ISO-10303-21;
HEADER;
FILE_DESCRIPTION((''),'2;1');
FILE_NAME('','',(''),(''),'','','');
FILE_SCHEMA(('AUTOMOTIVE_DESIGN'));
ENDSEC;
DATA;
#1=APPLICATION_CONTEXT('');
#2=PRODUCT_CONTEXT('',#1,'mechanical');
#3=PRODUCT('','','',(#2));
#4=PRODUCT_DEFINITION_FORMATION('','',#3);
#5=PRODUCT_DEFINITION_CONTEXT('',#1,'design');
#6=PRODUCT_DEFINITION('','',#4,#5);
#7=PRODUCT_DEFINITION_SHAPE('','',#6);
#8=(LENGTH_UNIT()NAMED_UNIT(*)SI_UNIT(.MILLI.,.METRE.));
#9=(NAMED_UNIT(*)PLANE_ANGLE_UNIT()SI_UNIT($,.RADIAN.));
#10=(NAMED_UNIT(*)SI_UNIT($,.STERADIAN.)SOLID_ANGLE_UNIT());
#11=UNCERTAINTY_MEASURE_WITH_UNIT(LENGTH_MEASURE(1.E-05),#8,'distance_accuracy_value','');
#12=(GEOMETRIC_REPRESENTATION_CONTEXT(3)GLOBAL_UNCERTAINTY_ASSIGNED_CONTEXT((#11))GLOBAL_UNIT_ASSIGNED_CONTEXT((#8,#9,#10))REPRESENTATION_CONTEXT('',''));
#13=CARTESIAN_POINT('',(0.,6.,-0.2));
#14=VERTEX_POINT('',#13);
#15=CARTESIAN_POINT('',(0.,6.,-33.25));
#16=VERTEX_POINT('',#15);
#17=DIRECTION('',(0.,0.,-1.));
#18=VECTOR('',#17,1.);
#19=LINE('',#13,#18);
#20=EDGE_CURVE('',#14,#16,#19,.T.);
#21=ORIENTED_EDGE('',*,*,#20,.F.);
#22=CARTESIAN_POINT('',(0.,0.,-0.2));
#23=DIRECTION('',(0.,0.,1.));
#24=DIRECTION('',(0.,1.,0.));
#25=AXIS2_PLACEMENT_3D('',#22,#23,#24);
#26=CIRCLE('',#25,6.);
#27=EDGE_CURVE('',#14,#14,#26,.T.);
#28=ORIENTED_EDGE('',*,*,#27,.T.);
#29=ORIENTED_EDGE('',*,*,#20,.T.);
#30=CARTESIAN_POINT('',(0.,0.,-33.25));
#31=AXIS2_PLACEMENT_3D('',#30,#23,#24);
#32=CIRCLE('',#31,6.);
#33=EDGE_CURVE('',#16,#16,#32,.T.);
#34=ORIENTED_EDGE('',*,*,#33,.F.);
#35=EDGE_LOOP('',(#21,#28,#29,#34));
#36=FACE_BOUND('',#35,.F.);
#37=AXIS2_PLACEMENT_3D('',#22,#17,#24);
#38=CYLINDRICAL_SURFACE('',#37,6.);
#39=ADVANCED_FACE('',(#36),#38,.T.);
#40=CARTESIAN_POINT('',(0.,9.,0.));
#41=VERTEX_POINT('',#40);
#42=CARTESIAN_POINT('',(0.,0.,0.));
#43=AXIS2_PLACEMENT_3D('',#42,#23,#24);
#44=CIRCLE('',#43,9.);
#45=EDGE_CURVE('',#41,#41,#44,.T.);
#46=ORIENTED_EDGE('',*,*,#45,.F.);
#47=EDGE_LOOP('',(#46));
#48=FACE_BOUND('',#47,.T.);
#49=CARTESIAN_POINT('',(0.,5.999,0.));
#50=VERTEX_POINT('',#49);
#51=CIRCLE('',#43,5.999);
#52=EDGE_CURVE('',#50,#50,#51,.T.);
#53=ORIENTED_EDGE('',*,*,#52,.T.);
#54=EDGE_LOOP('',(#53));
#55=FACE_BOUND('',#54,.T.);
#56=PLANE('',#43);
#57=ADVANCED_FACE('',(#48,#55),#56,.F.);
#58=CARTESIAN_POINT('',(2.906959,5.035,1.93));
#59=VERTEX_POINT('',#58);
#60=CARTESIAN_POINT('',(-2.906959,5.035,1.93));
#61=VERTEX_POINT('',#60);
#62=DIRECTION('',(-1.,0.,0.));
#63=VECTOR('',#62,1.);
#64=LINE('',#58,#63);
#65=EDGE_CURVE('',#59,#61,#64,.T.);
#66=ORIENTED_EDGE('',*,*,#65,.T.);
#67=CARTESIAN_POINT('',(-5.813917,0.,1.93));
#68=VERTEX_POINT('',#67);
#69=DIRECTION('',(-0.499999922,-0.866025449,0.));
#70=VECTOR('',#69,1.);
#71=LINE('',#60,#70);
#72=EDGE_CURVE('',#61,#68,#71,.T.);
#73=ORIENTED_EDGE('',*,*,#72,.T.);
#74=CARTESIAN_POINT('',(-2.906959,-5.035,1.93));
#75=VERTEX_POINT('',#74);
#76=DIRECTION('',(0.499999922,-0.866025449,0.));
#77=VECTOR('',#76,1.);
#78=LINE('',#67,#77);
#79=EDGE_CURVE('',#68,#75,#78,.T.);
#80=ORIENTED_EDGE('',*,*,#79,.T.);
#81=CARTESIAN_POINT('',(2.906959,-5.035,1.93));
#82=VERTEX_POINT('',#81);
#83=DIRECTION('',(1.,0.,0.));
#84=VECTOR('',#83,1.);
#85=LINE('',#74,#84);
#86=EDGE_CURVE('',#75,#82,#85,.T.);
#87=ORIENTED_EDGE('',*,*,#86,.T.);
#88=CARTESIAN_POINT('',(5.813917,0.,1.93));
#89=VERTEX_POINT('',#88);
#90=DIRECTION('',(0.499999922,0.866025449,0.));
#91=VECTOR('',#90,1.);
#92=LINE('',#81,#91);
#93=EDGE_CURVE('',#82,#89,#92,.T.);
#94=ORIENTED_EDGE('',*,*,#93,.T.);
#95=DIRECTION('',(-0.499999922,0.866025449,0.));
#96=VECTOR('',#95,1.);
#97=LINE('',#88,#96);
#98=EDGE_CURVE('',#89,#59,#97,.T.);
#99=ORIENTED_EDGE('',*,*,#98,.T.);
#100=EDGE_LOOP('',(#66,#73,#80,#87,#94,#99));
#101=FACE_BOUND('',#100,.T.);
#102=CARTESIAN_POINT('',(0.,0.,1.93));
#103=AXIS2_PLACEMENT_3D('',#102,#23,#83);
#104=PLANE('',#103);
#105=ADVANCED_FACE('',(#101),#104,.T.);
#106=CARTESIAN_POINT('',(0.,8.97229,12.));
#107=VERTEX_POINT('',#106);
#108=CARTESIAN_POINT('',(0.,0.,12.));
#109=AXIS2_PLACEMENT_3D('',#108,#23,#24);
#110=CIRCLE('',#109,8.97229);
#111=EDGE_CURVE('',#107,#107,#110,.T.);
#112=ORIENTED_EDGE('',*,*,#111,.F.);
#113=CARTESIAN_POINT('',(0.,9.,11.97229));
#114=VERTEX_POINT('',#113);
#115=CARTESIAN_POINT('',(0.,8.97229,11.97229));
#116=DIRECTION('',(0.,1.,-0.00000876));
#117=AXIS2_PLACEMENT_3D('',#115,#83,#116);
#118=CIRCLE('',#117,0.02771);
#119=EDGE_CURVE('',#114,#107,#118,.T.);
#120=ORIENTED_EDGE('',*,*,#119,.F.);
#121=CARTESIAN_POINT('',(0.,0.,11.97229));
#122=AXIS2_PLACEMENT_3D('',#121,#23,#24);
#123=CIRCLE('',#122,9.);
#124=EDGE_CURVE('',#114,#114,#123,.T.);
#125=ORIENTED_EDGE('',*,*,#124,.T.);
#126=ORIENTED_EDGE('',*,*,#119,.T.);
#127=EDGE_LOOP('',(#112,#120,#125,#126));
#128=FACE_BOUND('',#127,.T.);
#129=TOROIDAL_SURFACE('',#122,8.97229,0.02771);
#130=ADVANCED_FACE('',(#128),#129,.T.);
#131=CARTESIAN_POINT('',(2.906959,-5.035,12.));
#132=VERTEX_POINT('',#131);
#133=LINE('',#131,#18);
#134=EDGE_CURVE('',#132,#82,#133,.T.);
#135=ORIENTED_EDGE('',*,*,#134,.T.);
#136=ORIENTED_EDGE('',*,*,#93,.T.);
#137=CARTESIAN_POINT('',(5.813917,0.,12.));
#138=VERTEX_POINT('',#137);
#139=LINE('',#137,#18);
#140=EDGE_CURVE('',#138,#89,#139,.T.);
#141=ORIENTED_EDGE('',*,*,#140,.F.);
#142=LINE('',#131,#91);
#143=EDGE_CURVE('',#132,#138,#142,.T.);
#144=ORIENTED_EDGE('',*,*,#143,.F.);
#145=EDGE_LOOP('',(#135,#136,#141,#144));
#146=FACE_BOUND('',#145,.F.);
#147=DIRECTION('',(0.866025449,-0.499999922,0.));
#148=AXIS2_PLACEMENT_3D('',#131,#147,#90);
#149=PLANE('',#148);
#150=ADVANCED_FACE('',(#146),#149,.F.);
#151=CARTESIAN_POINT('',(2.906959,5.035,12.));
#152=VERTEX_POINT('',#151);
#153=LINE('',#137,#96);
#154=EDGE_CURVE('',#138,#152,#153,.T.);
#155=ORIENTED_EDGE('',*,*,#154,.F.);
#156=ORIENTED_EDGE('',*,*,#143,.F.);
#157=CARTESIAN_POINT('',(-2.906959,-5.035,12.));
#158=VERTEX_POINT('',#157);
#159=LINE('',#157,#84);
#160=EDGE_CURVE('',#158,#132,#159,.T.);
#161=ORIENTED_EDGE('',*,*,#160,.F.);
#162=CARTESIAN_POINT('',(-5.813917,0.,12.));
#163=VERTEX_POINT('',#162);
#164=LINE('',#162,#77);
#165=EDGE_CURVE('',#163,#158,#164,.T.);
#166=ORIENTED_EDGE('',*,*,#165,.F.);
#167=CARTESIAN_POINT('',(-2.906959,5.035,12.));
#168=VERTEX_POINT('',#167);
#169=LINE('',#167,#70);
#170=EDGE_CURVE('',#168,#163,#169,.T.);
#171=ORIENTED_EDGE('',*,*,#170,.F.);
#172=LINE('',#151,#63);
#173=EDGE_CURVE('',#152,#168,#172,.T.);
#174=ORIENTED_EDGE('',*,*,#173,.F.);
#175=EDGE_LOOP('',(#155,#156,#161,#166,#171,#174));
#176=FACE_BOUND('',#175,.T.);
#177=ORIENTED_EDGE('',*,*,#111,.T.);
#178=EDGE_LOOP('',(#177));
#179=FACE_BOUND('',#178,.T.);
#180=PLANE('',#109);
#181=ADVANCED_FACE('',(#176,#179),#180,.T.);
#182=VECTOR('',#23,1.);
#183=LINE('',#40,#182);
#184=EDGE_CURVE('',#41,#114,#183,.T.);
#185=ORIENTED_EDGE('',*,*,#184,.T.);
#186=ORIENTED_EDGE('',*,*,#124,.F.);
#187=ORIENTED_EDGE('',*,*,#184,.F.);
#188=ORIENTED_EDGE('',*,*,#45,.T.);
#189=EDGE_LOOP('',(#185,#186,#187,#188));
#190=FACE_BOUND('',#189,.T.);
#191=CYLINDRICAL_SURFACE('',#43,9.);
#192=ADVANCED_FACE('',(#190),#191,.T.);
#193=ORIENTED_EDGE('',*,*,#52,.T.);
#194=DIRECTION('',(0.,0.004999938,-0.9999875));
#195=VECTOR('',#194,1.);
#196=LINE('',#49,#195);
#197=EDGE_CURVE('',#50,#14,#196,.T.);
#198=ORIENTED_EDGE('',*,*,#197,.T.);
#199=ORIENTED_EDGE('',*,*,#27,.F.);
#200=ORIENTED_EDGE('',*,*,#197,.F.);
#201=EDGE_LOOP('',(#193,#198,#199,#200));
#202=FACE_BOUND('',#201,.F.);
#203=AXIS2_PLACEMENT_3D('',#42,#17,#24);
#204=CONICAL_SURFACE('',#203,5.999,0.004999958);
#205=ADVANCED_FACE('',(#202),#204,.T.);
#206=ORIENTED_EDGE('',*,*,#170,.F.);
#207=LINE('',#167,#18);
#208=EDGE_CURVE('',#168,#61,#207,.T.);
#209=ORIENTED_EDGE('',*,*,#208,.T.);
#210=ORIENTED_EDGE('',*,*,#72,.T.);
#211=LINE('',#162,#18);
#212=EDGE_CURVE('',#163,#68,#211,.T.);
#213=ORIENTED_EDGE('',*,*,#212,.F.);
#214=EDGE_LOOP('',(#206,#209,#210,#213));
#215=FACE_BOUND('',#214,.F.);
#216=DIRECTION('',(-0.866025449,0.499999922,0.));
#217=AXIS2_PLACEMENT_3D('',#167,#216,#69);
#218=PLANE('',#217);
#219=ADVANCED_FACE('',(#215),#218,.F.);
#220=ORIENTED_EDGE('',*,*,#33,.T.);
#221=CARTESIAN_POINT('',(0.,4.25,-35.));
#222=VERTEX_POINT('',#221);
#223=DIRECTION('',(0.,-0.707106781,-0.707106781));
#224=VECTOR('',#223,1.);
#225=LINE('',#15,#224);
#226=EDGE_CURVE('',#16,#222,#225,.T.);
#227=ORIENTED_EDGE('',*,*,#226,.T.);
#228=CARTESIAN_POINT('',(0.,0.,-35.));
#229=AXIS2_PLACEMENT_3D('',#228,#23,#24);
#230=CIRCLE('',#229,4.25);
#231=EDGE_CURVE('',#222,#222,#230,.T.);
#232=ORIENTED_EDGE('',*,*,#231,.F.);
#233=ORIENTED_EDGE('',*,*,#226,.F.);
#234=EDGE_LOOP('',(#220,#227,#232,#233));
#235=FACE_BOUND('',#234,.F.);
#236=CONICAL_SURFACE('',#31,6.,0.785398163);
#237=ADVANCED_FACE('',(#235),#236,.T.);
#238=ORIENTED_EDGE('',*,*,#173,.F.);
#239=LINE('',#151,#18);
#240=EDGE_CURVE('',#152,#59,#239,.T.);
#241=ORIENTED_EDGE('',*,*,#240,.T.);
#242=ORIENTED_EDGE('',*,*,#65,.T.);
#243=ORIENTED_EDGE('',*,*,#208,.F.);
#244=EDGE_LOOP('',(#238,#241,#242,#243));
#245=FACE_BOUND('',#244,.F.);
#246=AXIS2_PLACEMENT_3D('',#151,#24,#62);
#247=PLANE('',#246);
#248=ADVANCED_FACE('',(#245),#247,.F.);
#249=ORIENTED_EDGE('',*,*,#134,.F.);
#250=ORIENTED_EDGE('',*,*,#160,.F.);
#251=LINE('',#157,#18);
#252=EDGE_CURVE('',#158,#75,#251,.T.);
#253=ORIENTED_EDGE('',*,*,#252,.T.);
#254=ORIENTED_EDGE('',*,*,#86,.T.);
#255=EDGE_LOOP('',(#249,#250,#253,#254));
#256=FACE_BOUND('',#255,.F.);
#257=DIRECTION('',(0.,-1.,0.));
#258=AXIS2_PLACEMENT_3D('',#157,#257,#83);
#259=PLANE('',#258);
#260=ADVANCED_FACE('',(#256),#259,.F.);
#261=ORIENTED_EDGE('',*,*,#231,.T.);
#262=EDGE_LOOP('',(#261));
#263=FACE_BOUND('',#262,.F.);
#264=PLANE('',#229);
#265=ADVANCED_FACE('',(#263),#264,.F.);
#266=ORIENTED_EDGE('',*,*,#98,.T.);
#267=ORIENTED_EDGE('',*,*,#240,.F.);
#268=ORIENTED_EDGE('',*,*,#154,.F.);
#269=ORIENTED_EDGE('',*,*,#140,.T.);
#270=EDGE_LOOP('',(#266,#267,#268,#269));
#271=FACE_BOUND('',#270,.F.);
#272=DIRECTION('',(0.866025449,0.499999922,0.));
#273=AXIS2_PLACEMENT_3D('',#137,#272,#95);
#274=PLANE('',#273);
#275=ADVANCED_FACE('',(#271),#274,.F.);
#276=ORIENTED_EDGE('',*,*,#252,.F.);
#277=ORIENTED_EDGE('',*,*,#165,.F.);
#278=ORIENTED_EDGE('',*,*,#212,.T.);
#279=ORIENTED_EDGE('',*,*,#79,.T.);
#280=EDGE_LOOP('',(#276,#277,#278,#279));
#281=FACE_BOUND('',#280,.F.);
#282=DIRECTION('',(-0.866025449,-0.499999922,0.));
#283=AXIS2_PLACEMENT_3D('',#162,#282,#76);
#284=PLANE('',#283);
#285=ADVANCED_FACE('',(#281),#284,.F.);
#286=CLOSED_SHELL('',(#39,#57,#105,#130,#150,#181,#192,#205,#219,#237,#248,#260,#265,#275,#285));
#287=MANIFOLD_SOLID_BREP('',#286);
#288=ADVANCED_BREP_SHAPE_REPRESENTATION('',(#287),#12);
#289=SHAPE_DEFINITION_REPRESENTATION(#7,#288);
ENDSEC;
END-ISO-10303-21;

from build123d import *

# Parameters (mm, degrees)
POCKET_DEPTH = 10.07


with BuildPart() as part:
    # Sketch → Revolve (revolve)
    with BuildSketch(Plane.YZ):
        with BuildLine():
            Line((5.999, 0), (9, 0))
            Line((9, 0), (9, 11.97229))
            ThreePointArc((9, 11.97229), (8.991884, 11.991884), (8.97229, 12))
            Line((8.97229, 12), (0, 12))
            Line((0, -35), (0, 12))
            Line((4.25, -35), (0, -35))
            Line((6, -33.25), (4.25, -35))
            Line((6, -0.2), (6, -33.25))
            Line((5.999, 0), (6, -0.2))
        make_face()
    revolve(axis=Axis((0, 0, 0), (0, 0, 1)))

    # Sketch001 → Pocket (cut)
    with BuildSketch(Plane.XY.offset(12)):
        Polygon((5.813917, 0), (2.906959, 5.035), (-2.906959, 5.035), (-5.813917, 0), (-2.906959, -5.035), (2.906959, -5.035), align=None)
    extrude(amount=-POCKET_DEPTH, mode=Mode.SUBTRACT)


solid = part.part
